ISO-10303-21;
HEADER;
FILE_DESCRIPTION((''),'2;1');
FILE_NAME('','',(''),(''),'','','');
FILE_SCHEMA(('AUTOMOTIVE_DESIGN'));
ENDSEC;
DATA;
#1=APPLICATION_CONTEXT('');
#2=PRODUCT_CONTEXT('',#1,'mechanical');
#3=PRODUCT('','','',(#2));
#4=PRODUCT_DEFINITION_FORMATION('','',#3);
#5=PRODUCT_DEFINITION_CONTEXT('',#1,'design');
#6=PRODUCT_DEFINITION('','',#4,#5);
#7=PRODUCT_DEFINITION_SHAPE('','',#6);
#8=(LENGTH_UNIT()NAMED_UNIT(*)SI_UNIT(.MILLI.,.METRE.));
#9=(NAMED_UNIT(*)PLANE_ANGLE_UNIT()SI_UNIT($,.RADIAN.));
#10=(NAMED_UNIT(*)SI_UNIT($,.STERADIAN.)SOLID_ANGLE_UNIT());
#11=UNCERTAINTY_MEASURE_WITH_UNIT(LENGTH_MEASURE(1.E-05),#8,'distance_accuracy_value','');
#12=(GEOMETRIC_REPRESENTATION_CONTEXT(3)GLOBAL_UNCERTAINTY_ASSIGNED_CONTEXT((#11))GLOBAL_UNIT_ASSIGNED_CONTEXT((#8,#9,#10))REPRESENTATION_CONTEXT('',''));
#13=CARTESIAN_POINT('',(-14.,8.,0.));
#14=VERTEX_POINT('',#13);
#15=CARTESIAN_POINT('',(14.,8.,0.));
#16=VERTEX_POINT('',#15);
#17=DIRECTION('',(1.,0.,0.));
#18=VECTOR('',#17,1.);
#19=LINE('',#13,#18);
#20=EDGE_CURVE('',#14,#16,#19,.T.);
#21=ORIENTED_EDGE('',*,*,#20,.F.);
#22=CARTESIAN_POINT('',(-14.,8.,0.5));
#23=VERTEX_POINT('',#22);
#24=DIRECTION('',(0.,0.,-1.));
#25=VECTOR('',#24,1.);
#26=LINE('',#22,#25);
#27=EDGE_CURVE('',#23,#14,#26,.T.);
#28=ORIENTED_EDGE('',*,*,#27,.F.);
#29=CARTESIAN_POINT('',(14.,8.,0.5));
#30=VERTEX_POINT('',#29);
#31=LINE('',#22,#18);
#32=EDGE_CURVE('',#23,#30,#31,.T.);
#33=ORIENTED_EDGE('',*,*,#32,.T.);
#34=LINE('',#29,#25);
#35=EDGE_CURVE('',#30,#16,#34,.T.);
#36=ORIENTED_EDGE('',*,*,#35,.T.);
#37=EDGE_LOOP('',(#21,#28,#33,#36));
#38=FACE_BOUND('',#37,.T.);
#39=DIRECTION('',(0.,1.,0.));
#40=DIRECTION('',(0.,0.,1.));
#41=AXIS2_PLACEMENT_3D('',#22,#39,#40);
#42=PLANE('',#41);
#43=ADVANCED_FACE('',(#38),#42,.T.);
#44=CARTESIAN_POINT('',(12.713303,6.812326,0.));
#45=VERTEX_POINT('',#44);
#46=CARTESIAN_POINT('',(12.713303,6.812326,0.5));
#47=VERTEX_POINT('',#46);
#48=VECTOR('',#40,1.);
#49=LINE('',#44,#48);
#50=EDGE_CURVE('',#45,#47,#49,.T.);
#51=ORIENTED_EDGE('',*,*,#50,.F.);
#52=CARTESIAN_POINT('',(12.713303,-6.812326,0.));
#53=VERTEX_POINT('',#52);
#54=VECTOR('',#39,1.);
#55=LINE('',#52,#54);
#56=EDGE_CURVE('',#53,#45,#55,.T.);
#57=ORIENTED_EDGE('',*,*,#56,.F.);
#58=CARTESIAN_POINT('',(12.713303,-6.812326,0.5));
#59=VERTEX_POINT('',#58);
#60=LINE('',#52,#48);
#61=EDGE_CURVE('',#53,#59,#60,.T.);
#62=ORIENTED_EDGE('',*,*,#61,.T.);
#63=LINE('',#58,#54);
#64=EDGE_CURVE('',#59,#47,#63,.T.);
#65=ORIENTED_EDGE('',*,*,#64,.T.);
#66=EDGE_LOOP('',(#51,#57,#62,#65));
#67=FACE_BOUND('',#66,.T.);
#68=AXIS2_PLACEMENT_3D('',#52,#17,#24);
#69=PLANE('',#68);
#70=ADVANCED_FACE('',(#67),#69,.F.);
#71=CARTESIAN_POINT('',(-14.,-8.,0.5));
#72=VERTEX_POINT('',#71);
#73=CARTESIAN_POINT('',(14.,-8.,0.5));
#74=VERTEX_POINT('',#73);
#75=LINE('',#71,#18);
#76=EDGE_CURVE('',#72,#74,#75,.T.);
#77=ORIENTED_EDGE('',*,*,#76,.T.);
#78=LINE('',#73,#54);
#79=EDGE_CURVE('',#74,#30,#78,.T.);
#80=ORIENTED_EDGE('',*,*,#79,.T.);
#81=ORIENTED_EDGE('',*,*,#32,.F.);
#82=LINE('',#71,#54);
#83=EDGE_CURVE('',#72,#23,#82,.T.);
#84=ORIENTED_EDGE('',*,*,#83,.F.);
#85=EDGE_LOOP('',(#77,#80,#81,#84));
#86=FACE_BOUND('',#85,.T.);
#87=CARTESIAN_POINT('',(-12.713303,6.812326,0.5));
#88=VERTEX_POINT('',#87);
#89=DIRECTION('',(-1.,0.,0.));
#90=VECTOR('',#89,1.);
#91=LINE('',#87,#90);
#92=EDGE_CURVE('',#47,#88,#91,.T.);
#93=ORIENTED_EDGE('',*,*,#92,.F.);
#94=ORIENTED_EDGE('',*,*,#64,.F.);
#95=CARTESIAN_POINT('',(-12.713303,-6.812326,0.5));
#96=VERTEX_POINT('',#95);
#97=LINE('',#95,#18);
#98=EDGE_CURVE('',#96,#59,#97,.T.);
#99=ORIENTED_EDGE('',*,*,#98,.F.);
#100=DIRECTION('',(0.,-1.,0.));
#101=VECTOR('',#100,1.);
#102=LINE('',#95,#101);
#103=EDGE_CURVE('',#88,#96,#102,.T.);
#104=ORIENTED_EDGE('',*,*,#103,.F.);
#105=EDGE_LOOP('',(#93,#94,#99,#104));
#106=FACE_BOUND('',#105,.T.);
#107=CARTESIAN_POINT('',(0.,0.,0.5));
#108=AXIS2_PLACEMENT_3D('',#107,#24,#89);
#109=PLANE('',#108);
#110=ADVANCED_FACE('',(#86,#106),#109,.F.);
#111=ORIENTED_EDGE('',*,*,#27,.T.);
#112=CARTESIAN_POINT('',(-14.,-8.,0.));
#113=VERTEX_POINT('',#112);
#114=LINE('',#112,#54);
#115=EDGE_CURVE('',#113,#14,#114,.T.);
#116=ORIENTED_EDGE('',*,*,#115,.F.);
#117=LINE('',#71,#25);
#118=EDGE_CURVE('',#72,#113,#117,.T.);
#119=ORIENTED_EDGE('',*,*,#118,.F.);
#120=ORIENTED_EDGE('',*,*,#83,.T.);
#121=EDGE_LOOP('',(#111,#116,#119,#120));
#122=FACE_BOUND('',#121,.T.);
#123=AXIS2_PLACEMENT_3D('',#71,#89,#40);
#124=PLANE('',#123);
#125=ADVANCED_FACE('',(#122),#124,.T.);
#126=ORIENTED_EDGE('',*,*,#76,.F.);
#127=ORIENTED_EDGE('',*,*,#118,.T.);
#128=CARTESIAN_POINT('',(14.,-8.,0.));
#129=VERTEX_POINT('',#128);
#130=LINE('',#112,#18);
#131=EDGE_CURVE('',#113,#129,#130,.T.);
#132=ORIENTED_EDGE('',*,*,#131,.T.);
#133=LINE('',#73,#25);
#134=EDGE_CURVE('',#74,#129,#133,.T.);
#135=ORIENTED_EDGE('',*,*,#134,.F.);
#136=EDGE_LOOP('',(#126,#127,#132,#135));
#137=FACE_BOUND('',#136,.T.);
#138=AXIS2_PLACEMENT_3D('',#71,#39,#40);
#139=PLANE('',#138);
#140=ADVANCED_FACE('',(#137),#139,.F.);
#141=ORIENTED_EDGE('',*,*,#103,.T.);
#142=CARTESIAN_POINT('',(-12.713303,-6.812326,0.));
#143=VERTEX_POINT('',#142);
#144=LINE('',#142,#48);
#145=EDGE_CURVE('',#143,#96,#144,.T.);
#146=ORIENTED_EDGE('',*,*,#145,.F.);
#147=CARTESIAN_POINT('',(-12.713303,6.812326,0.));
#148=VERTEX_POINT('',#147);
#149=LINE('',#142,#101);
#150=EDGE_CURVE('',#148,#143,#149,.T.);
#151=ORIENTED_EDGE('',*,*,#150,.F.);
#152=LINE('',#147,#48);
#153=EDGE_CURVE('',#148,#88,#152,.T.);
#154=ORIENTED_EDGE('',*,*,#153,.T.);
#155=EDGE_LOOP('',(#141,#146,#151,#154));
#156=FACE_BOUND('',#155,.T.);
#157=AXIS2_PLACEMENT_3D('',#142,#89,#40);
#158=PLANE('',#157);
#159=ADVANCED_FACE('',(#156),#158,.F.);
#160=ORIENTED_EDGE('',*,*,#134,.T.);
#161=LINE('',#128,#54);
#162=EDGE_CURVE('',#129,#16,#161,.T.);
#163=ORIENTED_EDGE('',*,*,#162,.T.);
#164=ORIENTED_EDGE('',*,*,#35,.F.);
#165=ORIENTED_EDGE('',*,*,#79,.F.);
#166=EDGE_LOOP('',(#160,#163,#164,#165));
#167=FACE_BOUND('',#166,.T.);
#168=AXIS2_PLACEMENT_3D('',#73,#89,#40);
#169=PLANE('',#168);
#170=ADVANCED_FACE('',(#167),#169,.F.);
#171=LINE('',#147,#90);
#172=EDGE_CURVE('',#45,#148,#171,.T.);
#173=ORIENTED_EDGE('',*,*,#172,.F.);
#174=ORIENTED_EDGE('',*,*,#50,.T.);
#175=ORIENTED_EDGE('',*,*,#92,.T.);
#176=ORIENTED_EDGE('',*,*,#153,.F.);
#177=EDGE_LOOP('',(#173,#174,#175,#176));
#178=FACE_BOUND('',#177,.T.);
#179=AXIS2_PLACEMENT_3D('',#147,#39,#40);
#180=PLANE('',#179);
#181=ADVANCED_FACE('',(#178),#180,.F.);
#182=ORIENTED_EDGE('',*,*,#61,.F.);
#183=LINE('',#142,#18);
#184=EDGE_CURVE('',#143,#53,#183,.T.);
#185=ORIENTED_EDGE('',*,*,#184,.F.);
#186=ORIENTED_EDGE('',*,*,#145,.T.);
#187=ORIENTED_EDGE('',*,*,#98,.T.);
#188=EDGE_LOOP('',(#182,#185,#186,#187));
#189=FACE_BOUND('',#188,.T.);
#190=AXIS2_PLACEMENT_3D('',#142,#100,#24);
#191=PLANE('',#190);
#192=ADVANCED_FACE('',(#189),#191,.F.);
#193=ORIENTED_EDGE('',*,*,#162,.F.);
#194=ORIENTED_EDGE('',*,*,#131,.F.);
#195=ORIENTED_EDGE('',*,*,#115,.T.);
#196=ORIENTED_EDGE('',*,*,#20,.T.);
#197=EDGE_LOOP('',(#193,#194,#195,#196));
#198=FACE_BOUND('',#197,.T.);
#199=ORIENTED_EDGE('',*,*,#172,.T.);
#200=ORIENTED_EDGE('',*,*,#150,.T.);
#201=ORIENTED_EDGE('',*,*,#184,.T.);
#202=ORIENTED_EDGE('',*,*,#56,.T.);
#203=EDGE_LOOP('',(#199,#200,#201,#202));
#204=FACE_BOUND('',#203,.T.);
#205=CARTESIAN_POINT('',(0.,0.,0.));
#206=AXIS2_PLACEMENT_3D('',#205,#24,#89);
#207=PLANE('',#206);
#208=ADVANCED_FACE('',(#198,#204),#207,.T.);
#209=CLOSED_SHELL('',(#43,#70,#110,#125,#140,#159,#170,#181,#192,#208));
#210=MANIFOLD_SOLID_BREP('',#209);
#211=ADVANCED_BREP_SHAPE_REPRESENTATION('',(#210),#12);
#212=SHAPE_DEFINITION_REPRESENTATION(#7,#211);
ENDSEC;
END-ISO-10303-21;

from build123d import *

# Parameters (mm, degrees)
CROQUIS1_W              = 28
CROQUIS1_H              = 16
SALIENTE_EXTRUIR2_DEPTH = 0.5
CROQUIS3_W              = 25.426606922
CROQUIS3_H              = 13.62465138
CORTAR_EXTRUIR2_DEPTH   = 17.132265805


with BuildPart() as part:
    # Croquis1 → Saliente-Extruir2 (new body)
    with BuildSketch(Plane.XY):
        Rectangle(CROQUIS1_W, CROQUIS1_H)
    extrude(amount=SALIENTE_EXTRUIR2_DEPTH)

    # Croquis3 → Cortar-Extruir2 (cut, through all)
    with BuildSketch(Plane.XY.offset(0.5)):
        Rectangle(CROQUIS3_W, CROQUIS3_H)
    extrude(amount=-CORTAR_EXTRUIR2_DEPTH, mode=Mode.SUBTRACT)


solid = part.part
